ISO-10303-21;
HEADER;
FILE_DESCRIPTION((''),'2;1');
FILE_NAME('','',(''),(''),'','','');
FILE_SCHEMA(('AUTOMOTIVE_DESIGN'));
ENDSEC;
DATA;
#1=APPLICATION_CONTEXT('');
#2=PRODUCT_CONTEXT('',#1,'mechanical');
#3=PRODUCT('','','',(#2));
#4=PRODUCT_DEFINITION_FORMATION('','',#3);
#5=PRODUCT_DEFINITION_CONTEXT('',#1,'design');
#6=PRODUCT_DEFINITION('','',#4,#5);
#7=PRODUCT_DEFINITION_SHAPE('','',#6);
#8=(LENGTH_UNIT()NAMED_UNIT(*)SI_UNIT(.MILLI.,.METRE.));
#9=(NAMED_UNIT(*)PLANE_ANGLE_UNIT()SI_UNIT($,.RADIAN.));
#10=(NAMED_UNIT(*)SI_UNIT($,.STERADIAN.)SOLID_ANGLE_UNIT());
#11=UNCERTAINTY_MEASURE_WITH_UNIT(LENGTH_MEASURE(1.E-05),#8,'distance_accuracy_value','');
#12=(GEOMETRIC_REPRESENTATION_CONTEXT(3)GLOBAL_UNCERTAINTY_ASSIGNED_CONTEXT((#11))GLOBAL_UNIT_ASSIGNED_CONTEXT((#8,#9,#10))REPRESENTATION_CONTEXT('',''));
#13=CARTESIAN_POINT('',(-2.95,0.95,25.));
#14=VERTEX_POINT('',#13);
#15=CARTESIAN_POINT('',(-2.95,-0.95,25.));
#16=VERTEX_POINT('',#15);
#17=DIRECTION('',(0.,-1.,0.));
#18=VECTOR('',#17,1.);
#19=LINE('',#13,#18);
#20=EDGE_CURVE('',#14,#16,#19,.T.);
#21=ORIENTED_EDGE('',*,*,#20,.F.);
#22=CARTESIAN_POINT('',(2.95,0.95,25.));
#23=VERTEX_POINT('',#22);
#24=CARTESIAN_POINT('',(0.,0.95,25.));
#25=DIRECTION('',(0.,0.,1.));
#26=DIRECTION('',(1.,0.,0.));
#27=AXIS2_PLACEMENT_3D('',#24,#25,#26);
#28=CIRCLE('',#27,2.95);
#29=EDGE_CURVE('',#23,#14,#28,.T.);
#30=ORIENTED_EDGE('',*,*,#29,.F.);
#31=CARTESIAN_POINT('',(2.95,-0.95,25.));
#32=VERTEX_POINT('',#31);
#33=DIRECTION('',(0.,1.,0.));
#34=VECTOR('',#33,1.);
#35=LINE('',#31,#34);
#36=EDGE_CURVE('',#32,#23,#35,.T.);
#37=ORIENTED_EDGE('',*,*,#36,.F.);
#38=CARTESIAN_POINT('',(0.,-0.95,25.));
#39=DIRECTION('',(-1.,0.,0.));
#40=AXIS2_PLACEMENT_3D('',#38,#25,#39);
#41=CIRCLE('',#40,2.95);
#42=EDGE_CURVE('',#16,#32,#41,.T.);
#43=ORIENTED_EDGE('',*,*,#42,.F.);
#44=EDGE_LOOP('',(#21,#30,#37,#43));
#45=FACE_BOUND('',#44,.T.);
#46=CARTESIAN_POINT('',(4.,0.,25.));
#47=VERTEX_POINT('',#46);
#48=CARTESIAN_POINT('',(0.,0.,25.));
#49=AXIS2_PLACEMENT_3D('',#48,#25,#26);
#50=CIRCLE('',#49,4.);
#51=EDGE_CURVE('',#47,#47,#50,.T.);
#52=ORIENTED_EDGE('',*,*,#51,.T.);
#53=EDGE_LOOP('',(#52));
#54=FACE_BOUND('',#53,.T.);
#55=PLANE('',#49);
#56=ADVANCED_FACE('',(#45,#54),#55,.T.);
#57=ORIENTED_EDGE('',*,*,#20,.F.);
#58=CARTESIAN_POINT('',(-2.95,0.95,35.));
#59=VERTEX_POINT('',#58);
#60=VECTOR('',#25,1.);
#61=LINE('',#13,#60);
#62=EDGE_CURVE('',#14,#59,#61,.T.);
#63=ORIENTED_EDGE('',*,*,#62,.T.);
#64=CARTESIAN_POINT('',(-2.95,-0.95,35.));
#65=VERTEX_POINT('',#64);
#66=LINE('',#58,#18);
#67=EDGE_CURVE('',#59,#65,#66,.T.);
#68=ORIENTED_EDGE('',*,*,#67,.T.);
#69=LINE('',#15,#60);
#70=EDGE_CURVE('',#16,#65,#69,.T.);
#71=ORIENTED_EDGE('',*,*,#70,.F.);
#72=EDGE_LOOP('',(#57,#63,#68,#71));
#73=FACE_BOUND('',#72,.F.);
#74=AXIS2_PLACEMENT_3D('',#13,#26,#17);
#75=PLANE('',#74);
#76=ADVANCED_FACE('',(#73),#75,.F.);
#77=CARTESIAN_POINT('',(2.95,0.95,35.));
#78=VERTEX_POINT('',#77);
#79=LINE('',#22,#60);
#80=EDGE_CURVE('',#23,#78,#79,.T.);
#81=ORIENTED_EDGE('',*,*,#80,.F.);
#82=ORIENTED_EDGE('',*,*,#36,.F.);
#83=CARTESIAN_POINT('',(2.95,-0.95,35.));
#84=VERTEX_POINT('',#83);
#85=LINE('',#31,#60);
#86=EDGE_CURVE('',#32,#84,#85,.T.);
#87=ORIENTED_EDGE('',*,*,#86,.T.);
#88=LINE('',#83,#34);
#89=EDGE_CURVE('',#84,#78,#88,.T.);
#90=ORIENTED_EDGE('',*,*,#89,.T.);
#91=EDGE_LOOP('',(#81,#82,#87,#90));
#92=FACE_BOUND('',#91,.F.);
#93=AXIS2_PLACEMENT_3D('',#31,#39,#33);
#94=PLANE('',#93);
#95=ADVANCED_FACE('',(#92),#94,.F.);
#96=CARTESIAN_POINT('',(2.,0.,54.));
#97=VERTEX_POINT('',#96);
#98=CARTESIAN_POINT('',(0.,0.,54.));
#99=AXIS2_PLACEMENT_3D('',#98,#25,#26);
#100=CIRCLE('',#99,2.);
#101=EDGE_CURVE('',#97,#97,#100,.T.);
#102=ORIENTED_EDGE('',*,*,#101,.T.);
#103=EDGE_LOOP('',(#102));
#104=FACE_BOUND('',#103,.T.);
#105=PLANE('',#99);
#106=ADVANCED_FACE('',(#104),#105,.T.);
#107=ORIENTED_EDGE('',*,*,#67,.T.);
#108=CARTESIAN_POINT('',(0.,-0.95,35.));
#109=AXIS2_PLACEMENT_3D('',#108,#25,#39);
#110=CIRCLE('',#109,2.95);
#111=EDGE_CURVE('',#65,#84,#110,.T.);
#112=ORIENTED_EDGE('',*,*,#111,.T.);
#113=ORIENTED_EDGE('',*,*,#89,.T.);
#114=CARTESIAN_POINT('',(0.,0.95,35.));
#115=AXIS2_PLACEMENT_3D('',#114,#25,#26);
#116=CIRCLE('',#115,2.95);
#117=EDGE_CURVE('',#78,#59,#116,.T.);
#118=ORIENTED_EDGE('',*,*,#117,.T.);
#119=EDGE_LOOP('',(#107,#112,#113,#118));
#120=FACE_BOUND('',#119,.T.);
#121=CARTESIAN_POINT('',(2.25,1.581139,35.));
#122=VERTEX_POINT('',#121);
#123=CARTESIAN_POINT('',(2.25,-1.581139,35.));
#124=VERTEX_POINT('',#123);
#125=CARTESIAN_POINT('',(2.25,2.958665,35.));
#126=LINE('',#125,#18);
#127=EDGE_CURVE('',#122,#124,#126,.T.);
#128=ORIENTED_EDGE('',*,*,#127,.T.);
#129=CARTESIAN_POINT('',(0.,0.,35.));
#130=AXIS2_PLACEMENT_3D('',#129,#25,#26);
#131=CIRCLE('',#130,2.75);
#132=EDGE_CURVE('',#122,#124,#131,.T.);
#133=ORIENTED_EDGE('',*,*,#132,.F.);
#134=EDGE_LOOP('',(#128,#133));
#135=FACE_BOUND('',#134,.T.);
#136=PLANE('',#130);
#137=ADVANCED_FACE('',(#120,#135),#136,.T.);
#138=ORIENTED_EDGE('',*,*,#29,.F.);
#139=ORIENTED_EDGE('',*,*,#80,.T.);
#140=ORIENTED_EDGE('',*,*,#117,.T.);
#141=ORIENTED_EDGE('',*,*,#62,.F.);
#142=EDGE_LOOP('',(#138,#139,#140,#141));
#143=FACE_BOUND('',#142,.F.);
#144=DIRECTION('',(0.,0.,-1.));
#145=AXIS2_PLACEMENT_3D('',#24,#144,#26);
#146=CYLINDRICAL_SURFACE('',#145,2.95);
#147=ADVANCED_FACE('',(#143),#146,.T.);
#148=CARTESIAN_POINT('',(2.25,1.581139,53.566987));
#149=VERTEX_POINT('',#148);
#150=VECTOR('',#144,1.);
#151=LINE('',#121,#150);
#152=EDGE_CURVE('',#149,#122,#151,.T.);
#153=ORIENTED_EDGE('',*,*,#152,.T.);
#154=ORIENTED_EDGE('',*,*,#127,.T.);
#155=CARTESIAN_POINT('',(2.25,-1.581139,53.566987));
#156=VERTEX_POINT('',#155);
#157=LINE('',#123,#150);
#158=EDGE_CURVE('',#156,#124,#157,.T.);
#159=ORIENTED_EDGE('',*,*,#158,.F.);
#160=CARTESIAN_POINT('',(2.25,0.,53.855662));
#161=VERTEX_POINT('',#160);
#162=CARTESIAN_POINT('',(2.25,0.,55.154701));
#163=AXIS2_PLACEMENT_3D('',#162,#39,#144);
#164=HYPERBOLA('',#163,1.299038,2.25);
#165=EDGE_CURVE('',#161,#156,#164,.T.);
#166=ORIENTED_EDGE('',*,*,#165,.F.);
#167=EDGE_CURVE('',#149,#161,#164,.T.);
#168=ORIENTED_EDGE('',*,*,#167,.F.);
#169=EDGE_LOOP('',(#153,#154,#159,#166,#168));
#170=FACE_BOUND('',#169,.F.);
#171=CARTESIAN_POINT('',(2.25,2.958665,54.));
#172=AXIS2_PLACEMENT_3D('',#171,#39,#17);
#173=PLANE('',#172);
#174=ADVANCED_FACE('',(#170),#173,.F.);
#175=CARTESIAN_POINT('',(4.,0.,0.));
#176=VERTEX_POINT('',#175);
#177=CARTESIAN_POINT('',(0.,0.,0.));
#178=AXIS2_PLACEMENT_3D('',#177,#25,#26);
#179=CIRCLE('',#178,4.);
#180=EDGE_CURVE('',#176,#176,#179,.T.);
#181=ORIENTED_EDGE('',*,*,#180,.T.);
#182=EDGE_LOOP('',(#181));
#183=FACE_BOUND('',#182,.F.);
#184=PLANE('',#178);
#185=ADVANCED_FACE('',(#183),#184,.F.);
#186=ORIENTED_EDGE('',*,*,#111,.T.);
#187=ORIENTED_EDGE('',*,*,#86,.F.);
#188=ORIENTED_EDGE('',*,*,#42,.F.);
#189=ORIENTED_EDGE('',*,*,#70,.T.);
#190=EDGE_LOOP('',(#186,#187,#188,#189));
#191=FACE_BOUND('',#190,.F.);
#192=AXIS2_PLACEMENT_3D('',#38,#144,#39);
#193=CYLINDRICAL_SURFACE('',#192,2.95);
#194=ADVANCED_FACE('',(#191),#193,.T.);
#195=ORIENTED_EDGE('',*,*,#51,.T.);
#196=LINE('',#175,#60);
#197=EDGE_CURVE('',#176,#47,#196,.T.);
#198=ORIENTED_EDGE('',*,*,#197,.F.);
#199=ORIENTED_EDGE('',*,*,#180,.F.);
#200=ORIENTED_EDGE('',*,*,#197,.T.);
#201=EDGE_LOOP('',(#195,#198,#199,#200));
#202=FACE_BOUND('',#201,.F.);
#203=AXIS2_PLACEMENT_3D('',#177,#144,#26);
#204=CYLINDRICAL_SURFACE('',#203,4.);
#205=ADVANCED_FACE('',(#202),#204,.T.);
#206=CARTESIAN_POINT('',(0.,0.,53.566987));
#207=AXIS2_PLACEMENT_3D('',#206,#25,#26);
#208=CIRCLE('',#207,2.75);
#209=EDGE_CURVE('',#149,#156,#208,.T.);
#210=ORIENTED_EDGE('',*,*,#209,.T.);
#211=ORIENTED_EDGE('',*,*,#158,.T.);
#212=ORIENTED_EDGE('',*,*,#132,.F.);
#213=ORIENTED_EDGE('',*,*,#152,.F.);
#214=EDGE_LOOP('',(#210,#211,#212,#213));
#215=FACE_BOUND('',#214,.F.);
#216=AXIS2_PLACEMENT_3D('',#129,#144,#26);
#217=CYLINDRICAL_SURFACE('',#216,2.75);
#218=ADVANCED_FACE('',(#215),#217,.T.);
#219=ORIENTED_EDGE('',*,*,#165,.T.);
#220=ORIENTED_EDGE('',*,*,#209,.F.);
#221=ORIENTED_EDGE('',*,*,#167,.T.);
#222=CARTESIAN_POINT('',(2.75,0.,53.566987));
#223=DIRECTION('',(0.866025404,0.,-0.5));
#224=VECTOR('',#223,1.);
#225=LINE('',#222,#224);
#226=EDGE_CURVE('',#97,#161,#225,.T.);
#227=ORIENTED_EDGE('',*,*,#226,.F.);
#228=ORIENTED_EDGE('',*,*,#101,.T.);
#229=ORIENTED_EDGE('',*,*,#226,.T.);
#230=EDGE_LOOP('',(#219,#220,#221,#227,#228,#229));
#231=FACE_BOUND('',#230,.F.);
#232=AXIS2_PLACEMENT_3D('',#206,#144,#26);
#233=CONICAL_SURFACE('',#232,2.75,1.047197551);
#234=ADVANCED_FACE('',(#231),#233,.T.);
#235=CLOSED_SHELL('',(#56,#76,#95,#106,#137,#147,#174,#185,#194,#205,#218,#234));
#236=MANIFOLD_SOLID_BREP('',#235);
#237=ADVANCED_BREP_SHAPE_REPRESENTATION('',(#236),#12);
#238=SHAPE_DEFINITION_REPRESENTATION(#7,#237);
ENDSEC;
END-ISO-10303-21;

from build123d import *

# Parameters (mm, degrees)
F0_R     = 4
F1_DEPTH = 25
F3_DEPTH = 10
F4_R     = 2.75
F5_DEPTH = 19
F6_SIZE2 = 0.4330127019
F6_SIZE  = 0.75
F8_DEPTH = 19


with BuildPart() as f1:
    # F0 (on Top) → F1 (new body)
    with BuildSketch(Plane.XY):
        Circle(F0_R)
    extrude(amount=F1_DEPTH)

    # F2 (on face) → F3 (join)
    with BuildSketch(Plane.XY.offset(25)):
        with BuildLine():
            ThreePointArc((0, -3.9), (2.0859650045, -3.0359650045), (2.95, -0.95))
            Line((2.95, -0.95), (2.95, 0.95))
            ThreePointArc((2.95, 0.95), (2.0859650045, 3.0359650045), (0, 3.9))
            ThreePointArc((0, 3.9), (-2.0859650045, 3.0359650045), (-2.95, 0.95))
            Line((-2.95, 0.95), (-2.95, -0.95))
            ThreePointArc((-2.95, -0.95), (-2.0859650045, -3.0359650045), (0, -3.9))
        make_face()
    extrude(amount=F3_DEPTH)

    # F4 (on face) → F5 (join)
    with BuildSketch(Plane.XY.offset(35)):
        Circle(F4_R)
    extrude(amount=F5_DEPTH)

    # F6
    f6_edges = [f1.edges().sort_by_distance(p)[0] for p in [
        (-2.75, 0, 54),
    ]]
    f6_side = f1.faces().sort_by_distance((0, 0, 54))[0]
    chamfer(f6_edges, length=F6_SIZE, length2=F6_SIZE2, reference=f6_side)

    # F7 (on face) → F8 (cut)
    with BuildSketch(Plane.XY.offset(54)):
        Polygon((2.25, 2.9586648743), (2.25, 0), (2.25, -3.3952166559), (3.5037237976, -3.3952166559), (3.5037237976, 2.9586648743), align=None)
    extrude(amount=-F8_DEPTH, mode=Mode.SUBTRACT)


solid = f1.part
